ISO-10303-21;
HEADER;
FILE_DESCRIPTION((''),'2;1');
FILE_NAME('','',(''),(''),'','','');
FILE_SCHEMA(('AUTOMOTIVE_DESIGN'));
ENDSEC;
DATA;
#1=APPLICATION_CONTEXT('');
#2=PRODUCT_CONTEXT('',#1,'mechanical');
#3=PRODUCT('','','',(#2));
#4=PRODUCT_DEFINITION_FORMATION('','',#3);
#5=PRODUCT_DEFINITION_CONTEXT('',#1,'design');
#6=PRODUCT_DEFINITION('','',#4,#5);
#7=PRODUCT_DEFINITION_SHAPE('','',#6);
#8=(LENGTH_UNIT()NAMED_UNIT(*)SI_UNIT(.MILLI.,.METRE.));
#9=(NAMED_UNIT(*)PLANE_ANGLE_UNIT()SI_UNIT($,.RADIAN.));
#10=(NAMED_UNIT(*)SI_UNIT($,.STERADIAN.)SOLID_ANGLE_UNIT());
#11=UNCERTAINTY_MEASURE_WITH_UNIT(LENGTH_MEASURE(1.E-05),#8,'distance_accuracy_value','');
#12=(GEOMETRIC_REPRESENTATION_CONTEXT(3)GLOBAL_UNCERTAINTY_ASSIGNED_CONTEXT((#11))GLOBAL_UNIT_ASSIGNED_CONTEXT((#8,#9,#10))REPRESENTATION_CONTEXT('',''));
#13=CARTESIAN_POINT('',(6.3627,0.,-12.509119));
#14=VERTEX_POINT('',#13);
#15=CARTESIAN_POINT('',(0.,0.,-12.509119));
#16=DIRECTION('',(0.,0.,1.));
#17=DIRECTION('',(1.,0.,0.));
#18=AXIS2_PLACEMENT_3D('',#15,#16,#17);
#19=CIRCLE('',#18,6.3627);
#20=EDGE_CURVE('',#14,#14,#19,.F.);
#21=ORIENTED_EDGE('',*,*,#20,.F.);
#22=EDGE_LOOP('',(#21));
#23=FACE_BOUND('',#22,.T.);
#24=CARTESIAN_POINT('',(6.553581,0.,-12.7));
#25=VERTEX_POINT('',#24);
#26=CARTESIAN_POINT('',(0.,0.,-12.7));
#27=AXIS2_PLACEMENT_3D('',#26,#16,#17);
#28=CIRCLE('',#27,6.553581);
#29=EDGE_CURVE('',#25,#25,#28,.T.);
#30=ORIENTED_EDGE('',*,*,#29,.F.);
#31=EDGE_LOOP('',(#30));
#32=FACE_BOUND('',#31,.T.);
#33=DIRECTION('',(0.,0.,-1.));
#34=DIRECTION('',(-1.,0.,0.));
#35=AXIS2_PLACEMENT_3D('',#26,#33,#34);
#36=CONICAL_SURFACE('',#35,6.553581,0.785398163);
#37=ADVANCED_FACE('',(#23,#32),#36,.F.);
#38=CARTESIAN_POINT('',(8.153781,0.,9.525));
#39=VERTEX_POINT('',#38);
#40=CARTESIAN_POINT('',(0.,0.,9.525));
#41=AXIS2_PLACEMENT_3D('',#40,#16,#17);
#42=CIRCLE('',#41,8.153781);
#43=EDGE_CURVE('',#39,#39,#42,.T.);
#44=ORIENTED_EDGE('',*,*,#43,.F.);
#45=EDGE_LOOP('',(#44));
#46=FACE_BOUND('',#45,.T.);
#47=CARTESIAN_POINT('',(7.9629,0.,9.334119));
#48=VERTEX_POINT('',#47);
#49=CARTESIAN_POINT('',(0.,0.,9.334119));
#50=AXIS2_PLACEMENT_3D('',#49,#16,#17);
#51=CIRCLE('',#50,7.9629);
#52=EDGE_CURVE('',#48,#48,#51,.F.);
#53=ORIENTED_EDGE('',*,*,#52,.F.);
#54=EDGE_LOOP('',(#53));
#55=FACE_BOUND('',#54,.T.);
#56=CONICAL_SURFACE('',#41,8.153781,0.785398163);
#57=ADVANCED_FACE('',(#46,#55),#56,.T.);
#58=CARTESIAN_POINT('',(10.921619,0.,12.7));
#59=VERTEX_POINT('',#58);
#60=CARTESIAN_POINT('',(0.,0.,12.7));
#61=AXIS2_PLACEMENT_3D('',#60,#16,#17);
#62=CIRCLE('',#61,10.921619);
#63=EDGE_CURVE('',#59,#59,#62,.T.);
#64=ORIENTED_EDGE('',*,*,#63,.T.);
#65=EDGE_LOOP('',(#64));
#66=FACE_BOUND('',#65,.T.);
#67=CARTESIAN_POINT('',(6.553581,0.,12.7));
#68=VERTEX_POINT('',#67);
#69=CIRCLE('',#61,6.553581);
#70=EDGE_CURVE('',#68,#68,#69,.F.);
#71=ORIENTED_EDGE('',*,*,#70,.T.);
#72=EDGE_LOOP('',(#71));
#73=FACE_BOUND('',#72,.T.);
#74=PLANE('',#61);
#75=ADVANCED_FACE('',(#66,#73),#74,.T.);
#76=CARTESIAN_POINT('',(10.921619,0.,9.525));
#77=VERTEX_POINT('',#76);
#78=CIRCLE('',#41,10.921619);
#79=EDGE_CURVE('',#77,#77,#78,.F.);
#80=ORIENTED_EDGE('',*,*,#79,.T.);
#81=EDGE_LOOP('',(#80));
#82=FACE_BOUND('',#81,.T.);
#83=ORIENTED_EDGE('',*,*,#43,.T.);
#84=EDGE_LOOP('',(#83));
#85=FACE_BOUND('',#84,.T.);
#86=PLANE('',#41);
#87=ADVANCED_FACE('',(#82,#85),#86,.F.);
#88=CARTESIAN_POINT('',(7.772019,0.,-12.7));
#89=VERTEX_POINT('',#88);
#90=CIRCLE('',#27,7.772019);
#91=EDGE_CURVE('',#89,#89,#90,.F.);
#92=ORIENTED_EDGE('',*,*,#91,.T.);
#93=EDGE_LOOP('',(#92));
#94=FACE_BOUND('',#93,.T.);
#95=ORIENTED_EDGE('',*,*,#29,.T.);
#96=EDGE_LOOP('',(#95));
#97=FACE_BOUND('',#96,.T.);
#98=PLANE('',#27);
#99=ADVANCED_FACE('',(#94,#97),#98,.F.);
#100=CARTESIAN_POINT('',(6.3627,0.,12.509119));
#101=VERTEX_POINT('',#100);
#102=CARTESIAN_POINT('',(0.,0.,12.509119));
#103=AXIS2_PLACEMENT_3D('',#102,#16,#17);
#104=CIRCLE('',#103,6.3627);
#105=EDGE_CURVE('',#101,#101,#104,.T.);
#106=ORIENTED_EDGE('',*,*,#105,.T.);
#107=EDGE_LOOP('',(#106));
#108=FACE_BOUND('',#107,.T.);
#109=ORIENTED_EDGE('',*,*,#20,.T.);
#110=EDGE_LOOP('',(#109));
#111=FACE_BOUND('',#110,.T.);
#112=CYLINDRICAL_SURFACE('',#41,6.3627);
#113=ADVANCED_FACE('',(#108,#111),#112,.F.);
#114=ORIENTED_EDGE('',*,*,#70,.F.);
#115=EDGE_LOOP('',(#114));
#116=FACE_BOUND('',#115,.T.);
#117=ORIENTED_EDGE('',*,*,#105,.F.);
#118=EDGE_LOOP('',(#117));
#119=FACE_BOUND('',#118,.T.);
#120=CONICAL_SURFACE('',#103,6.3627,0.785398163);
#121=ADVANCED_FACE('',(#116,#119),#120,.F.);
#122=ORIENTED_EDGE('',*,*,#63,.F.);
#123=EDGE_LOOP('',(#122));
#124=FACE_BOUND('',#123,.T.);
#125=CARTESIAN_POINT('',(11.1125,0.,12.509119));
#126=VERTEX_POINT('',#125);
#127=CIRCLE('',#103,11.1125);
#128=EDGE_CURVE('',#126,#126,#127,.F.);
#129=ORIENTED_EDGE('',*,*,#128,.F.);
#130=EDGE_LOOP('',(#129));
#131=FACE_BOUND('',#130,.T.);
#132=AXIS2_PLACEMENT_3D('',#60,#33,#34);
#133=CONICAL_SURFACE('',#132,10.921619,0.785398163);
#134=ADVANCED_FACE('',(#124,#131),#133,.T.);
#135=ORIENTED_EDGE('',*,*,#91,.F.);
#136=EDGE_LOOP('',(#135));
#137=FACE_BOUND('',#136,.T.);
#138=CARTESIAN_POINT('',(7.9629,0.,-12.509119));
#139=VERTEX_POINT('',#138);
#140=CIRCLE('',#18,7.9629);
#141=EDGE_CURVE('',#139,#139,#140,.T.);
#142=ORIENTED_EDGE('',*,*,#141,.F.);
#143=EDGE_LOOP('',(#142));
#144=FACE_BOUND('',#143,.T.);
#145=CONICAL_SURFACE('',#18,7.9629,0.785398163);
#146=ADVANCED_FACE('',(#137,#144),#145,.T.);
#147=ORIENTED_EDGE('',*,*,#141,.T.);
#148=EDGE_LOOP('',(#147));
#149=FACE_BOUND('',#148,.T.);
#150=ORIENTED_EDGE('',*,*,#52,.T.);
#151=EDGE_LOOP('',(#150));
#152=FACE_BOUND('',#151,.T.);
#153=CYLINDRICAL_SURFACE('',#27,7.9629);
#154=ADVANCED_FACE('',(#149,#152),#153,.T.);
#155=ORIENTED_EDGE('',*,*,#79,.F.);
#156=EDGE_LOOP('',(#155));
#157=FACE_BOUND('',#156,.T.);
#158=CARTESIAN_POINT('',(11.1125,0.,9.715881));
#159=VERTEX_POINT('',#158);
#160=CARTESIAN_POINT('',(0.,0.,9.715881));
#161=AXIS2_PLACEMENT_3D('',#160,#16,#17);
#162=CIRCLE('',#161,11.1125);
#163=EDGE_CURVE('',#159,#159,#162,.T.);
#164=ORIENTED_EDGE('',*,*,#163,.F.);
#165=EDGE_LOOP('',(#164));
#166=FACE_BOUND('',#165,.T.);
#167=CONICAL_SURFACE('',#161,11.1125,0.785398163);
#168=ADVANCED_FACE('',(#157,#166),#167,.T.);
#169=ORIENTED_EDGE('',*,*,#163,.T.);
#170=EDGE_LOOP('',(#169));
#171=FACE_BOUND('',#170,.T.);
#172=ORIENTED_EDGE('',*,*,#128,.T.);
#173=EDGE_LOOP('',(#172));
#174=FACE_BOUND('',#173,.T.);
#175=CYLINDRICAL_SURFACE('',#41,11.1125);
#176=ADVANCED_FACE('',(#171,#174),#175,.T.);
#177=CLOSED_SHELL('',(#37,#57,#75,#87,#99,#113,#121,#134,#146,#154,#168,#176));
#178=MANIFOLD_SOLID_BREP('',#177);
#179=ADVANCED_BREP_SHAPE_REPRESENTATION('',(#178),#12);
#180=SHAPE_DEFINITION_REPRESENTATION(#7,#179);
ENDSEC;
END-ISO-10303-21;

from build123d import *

# Parameters (mm, degrees)
BOSS_EXTRUDE1_START = 12.7
SKETCH3_R           = 11.1125
SKETCH3_R_2         = 6.3627
BOSS_EXTRUDE1_DEPTH = 3.175
BOSS_EXTRUDE2_START = 9.525
SKETCH4_R           = 7.9629
SKETCH4_R_2         = 6.3627
BOSS_EXTRUDE2_DEPTH = 22.225
CHAMFER1_SIZE       = 0.190881


with BuildPart() as part:
    # Sketch3 → Boss-Extrude1 (new body)
    with BuildSketch(Plane.XY.offset(BOSS_EXTRUDE1_START)):
        Circle(SKETCH3_R)
        Circle(SKETCH3_R_2, mode=Mode.SUBTRACT)
    extrude(amount=-BOSS_EXTRUDE1_DEPTH)

    # Sketch4 → Boss-Extrude2 (add)
    with BuildSketch(Plane.XY.offset(BOSS_EXTRUDE2_START)):
        Circle(SKETCH4_R)
        Circle(SKETCH4_R_2, mode=Mode.SUBTRACT)
    extrude(amount=-BOSS_EXTRUDE2_DEPTH)

    # Chamfer1
    chamfer1_edges = [part.edges().sort_by_distance(p)[0] for p in [
        (-6.3627, 0, -12.7),
        (-7.9629, 0, 9.525),
        (-11.1125, 0, 12.7),
        (-11.1125, 0, 9.525),
        (-6.3627, 0, 12.7),
        (-7.9629, 0, -12.7),
    ]]
    chamfer(chamfer1_edges, length=CHAMFER1_SIZE)


solid = part.part
